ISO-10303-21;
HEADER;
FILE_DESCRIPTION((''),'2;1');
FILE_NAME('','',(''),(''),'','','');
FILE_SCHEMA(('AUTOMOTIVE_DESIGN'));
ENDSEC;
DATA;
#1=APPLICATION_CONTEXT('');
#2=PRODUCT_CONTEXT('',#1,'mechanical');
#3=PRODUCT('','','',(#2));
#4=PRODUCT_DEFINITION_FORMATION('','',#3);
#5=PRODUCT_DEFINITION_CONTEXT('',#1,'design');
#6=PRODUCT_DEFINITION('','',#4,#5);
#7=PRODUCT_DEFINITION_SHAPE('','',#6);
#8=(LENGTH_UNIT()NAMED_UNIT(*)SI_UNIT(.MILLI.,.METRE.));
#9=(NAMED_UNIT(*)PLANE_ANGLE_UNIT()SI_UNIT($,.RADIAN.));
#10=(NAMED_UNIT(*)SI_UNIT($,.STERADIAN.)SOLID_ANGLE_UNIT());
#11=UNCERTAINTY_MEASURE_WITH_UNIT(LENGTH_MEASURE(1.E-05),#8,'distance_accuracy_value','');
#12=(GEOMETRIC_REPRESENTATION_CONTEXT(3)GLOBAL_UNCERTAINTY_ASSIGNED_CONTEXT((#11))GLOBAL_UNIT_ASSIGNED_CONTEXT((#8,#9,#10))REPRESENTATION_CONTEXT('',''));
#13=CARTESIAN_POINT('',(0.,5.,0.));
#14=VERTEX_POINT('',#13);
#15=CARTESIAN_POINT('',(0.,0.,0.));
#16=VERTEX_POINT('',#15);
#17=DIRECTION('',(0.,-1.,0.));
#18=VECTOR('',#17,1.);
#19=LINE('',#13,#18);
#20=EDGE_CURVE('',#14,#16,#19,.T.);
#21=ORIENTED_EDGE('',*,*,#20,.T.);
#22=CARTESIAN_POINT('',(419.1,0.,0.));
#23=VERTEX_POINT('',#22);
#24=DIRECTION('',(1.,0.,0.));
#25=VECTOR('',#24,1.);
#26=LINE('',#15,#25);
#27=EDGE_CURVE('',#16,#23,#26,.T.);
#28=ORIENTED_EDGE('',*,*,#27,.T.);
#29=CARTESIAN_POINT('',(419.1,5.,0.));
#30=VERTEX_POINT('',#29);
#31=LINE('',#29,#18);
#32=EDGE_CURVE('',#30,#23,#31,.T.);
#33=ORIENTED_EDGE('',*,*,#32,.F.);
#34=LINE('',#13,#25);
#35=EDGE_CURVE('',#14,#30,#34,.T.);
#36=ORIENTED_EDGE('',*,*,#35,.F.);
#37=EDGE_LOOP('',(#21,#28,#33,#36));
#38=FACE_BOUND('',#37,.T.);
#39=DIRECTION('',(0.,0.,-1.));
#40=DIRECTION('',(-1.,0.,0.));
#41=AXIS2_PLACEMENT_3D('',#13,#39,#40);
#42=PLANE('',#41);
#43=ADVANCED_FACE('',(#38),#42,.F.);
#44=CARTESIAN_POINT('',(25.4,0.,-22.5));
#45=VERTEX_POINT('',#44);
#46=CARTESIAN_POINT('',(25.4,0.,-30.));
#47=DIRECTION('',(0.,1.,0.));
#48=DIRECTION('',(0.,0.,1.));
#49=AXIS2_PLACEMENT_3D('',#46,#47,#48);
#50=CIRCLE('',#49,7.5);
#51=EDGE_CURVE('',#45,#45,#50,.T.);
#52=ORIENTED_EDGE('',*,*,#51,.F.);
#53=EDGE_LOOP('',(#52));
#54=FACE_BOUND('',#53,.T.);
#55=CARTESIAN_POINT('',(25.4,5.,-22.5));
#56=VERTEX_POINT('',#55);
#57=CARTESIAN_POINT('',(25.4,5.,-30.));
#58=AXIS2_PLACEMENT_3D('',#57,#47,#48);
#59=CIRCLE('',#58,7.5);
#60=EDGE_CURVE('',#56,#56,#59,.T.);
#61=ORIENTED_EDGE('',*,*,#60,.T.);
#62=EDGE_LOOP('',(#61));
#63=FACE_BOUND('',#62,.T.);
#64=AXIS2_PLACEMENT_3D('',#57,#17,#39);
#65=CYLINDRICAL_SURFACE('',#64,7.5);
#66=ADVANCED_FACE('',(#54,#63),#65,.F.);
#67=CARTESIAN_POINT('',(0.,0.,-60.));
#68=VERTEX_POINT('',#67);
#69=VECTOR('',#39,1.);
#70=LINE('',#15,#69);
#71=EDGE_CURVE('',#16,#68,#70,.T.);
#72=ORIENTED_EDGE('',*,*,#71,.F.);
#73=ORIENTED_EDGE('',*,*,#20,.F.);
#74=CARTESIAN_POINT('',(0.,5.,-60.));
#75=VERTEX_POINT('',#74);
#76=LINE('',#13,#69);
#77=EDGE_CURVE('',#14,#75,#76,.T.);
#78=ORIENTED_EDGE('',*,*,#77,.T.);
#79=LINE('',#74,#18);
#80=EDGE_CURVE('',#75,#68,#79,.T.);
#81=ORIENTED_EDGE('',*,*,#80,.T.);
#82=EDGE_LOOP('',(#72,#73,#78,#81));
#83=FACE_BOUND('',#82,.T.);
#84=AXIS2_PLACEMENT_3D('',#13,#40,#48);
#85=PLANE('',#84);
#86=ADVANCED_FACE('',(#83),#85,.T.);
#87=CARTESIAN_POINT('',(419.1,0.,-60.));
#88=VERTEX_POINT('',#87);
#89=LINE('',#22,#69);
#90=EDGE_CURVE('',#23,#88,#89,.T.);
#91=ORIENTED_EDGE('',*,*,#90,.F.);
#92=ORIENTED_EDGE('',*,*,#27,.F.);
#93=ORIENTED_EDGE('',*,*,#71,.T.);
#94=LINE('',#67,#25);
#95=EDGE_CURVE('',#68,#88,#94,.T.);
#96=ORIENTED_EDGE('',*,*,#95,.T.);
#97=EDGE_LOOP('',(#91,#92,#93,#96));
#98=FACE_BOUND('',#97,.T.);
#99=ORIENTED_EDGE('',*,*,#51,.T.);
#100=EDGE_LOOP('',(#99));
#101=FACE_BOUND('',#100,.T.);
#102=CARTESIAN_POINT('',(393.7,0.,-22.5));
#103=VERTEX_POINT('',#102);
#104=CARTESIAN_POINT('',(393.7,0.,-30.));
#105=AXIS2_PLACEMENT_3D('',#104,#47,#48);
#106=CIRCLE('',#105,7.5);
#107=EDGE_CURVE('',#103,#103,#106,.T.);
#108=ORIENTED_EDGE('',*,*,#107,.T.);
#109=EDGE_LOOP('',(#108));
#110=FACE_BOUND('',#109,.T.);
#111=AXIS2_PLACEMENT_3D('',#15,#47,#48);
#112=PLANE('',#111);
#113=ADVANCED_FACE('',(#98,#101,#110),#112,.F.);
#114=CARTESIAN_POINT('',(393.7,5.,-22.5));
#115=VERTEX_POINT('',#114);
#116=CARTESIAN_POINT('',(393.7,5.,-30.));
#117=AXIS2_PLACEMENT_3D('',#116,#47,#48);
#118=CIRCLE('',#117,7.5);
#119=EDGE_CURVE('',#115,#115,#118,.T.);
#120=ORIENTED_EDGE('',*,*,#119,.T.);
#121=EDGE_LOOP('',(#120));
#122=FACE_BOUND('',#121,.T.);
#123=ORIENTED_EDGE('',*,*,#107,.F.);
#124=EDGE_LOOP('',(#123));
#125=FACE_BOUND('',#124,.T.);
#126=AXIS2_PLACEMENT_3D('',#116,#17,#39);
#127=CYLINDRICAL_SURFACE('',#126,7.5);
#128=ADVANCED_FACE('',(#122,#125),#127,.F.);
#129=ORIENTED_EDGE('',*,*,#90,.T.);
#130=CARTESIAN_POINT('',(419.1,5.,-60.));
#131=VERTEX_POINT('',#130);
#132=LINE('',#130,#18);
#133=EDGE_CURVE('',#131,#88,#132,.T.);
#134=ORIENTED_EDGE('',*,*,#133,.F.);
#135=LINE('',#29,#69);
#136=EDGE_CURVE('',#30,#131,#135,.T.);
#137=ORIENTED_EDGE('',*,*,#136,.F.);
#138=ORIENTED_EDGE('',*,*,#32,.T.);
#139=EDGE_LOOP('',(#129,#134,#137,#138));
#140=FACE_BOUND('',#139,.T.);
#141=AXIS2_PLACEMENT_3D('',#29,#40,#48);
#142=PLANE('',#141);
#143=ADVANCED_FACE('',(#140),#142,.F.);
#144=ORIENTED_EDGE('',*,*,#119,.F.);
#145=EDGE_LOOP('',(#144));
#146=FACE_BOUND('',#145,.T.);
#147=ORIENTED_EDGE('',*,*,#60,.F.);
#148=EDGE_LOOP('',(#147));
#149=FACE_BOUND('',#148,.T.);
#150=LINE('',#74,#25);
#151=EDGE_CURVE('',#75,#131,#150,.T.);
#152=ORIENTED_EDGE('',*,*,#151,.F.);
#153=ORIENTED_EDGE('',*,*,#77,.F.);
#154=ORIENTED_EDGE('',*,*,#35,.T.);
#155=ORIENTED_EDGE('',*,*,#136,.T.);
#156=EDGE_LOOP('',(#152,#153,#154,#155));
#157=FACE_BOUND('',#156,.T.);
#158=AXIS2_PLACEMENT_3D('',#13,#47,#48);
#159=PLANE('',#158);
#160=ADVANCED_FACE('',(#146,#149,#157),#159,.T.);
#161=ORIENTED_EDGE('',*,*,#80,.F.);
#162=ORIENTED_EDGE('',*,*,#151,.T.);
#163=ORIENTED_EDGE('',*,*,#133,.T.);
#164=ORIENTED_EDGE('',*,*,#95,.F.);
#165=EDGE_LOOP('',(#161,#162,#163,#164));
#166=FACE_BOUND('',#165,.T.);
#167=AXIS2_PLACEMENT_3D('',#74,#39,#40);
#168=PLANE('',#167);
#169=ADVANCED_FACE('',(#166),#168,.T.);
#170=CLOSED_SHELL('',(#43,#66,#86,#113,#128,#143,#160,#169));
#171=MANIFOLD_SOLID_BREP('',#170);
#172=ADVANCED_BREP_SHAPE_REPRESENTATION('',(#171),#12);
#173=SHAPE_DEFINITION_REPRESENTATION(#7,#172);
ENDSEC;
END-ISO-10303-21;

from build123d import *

# Parameters (mm, degrees)
SKETCH1_W           = 419.1
SKETCH1_H           = 60
SKETCH1_R           = 7.5
BOSS_EXTRUDE1_DEPTH = 5


with BuildPart() as part:
    # Sketch1 → Boss-Extrude1 (new body)
    with BuildSketch(Plane(origin=(0, 0, 0), x_dir=(1, 0, 0), z_dir=(0, 1, 0))):
        with Locations((209.55, 30)):
            Rectangle(SKETCH1_W, SKETCH1_H)
        with Locations((393.7, 30)):
            Circle(SKETCH1_R, mode=Mode.SUBTRACT)
        with Locations((25.4, 30)):
            Circle(SKETCH1_R, mode=Mode.SUBTRACT)
    extrude(amount=BOSS_EXTRUDE1_DEPTH)


solid = part.part
